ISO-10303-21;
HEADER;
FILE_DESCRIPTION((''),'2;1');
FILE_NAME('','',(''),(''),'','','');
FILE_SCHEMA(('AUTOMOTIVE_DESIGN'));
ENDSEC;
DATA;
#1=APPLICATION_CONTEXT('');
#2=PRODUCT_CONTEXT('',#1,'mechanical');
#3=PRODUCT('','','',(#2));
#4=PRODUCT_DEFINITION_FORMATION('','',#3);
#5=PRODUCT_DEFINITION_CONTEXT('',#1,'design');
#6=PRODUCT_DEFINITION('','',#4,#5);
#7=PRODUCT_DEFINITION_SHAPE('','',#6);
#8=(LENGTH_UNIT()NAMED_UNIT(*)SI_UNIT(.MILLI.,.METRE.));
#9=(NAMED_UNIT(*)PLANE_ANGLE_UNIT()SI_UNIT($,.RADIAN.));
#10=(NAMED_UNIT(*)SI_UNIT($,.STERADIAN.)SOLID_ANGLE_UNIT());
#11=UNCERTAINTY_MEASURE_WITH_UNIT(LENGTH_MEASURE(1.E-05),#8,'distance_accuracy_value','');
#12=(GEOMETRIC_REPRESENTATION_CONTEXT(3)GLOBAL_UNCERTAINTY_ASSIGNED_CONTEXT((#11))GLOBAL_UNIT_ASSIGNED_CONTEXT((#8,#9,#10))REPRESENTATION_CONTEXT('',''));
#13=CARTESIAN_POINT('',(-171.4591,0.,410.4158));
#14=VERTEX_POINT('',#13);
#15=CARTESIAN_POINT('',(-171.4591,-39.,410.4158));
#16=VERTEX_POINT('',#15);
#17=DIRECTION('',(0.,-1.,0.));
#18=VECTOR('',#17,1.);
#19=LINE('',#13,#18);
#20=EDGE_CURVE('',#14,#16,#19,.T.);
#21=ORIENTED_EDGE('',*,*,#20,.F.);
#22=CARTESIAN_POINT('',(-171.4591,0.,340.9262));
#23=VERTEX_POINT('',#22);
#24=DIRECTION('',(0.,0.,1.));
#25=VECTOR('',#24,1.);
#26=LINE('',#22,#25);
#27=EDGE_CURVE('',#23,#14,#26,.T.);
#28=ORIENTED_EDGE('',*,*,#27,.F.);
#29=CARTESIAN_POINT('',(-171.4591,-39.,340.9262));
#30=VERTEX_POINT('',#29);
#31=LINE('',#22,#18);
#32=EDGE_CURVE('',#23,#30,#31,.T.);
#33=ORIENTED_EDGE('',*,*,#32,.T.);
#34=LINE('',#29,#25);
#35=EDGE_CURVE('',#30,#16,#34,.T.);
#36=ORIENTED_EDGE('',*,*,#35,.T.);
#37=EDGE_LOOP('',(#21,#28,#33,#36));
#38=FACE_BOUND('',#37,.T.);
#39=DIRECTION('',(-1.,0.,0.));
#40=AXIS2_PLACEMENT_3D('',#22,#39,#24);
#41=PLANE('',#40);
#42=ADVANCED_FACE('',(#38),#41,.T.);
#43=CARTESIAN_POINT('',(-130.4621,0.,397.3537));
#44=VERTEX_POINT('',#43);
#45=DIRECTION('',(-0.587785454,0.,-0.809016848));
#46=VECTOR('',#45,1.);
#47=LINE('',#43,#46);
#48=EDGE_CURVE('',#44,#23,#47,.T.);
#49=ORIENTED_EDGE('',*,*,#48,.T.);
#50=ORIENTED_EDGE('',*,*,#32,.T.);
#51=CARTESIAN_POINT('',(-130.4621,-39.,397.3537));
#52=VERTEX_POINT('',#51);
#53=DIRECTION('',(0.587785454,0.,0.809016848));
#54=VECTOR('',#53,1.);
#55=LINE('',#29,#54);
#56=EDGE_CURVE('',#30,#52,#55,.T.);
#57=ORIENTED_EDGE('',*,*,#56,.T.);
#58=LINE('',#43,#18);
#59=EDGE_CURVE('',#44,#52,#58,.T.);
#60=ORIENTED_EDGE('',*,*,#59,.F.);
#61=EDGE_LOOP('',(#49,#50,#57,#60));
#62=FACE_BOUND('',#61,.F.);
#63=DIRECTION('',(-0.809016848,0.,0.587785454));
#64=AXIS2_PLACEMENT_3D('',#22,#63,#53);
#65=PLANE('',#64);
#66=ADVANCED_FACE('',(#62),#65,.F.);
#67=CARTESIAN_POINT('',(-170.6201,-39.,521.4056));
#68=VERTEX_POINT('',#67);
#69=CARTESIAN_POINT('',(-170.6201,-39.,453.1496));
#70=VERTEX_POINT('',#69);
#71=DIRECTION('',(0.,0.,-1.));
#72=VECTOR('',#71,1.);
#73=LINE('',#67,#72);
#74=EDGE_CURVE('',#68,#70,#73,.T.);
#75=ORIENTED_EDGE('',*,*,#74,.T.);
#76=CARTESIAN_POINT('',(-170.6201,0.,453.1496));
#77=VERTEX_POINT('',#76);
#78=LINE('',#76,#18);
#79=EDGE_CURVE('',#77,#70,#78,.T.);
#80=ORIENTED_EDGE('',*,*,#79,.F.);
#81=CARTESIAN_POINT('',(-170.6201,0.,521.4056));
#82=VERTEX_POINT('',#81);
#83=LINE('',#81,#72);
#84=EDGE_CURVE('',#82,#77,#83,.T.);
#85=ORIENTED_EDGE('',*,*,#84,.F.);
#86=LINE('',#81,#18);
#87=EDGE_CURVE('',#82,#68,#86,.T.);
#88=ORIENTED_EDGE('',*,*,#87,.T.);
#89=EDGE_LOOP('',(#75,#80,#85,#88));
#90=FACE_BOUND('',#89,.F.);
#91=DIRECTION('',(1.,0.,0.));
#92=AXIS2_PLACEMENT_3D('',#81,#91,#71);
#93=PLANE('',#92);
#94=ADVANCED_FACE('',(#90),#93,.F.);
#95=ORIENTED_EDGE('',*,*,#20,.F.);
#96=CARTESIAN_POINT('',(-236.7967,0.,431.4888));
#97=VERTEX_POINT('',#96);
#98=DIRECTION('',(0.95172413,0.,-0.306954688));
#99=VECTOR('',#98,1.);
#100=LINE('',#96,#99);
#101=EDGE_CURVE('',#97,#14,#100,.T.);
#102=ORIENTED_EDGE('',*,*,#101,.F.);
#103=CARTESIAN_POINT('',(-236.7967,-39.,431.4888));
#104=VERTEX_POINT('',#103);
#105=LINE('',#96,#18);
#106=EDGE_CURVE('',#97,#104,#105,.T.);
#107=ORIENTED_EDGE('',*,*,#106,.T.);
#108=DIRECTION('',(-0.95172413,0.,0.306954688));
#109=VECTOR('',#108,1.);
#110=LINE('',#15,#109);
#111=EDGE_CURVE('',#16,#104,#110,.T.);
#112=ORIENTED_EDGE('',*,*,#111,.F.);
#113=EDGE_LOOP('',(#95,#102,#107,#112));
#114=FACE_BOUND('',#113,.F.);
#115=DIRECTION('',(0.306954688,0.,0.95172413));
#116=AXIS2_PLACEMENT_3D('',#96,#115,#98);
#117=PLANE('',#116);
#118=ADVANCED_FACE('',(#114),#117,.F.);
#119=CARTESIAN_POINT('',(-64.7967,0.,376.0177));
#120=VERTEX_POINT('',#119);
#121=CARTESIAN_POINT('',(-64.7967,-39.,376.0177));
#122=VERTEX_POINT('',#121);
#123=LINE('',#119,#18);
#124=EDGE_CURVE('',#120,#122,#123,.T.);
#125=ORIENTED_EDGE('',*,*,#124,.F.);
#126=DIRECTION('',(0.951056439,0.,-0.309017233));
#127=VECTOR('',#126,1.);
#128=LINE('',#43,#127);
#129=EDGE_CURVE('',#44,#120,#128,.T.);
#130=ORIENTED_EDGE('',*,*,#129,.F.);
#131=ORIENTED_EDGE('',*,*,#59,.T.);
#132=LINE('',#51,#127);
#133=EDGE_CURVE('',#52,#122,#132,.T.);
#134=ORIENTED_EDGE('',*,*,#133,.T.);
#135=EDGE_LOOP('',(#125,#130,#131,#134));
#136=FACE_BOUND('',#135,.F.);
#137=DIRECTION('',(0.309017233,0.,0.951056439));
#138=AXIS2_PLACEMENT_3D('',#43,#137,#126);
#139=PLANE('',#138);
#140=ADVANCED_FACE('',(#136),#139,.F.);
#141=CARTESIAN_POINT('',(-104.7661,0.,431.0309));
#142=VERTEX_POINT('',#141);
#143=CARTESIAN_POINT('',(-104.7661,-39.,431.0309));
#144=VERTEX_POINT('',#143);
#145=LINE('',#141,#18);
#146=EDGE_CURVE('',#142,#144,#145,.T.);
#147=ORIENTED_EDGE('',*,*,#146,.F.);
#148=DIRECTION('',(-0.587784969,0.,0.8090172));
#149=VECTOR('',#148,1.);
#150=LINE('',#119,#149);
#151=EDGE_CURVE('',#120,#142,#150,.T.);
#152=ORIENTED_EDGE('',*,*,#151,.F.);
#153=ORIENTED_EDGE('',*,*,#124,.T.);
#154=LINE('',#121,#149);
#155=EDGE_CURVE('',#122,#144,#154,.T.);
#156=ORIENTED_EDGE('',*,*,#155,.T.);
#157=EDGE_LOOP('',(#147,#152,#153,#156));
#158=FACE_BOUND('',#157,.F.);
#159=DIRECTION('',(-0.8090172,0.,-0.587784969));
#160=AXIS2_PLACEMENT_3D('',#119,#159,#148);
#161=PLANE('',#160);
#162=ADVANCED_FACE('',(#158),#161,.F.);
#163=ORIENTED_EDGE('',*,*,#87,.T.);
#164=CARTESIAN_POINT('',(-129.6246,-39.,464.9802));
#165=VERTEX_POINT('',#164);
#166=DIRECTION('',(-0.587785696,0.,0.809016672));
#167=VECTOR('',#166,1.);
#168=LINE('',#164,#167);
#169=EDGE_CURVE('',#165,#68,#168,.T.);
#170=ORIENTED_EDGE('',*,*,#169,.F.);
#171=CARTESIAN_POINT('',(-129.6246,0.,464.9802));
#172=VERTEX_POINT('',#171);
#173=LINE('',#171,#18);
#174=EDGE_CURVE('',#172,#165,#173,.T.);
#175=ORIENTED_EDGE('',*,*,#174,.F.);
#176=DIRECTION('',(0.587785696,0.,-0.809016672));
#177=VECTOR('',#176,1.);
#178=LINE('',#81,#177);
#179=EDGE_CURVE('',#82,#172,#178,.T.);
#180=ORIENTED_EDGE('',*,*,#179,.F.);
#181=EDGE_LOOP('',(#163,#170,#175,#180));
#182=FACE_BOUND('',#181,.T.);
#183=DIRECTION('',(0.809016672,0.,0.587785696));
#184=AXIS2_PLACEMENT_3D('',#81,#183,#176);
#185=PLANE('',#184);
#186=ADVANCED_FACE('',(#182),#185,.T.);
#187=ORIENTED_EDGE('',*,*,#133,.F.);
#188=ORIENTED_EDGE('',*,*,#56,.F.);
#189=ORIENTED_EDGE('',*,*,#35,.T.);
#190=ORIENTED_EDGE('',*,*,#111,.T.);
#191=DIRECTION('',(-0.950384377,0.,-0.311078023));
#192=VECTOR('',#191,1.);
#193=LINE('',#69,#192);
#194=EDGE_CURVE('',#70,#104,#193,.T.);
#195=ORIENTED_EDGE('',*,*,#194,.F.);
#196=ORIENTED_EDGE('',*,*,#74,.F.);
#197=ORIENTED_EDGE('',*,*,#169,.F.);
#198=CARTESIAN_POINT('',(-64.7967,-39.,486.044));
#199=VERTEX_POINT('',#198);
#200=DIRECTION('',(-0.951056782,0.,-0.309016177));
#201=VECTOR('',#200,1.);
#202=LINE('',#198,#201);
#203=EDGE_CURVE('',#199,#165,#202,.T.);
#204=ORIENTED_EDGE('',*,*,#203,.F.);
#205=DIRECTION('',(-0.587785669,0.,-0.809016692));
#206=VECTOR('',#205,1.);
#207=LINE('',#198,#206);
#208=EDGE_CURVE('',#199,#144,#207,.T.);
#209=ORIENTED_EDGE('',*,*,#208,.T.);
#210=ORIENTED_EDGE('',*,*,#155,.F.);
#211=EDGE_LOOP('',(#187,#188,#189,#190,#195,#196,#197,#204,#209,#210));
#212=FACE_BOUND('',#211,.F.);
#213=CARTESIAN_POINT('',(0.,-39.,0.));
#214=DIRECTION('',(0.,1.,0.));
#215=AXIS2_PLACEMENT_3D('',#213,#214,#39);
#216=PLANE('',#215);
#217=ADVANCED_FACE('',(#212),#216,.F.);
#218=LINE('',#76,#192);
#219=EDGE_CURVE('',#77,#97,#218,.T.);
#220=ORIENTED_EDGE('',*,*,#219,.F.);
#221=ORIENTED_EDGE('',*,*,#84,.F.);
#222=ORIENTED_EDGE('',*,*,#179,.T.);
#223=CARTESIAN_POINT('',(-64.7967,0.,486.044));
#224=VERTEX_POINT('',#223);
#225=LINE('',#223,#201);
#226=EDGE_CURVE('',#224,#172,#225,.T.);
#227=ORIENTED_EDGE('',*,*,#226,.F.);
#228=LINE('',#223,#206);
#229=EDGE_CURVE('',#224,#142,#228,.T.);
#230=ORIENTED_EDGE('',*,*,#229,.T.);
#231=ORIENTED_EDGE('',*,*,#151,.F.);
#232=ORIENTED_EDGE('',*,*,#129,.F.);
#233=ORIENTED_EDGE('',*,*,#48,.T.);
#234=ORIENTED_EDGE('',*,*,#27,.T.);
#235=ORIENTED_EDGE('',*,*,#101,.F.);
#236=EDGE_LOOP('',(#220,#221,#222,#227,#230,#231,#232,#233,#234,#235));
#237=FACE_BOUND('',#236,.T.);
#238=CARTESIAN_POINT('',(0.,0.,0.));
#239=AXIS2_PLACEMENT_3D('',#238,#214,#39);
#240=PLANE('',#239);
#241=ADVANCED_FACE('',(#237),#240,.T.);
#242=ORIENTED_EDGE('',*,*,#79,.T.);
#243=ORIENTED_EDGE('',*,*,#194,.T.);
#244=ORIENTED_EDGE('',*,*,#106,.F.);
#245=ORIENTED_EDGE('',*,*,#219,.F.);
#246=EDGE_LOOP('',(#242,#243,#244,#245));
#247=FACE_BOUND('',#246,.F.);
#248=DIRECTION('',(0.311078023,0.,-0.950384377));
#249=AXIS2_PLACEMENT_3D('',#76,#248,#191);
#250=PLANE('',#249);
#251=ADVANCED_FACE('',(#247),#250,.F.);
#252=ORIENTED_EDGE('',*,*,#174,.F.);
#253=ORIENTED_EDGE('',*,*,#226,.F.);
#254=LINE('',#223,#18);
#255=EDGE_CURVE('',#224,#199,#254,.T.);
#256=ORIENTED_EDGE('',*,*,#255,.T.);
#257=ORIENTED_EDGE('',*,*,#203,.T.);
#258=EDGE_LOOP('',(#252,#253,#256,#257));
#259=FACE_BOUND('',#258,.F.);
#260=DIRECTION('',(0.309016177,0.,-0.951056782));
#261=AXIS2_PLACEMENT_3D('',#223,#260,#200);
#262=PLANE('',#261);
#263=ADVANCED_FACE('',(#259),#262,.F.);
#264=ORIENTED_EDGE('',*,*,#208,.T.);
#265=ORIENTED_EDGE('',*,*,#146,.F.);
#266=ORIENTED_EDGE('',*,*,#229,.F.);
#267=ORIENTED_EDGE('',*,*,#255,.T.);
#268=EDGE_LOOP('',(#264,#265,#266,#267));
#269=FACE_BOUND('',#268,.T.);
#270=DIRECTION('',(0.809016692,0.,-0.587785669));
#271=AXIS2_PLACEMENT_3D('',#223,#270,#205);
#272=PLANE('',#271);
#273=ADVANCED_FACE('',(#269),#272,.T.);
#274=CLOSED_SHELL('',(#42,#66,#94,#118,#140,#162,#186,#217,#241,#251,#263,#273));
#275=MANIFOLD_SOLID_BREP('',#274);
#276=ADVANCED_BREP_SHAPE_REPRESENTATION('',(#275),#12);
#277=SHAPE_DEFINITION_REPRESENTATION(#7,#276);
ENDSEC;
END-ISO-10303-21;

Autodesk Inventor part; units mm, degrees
ref_plane "YZ Plane" through (0, 0, 0) normal (1, 0, 0) x (0, 1, 0)
ref_plane "XZ Plane" through (0, 0, 0) normal (0, 1, 0) x (-1, 0, 0)
ref_plane "XY Plane" through (0, 0, 0) normal (0, 0, 1) x (1, 0, 0)
sketch "Эскиз1" plane through (0, 0, 0) normal (0, 1, 0) x (-1, 0, 0)
  circle A0 centre (141.9995, 431.0309) radius 94.7983
  line L0 (141.9995, 613.3951) -> (141.9995, 248.6146)
  line L1 (141.9995, 431.0309) -> (232.158, 401.7366)
  line L2 (170.6201, 521.4056) -> (170.6201, 453.1496)
  line L3 (171.4591, 340.9262) -> (171.4591, 410.4158)
  line L4 (171.4591, 340.9262) -> (130.4621, 397.3537)
  line L5 (64.7967, 486.044) -> (129.6246, 464.9802)
  line L6 (64.7967, 486.044) -> (104.7661, 431.0309)
  line L7 (170.6201, 453.1496) -> (236.7967, 431.4888)
  line L8 (236.7967, 431.4888) -> (171.4591, 410.4158)
  line L9 (130.4621, 397.3537) -> (64.7967, 376.0177)
  line L10 (64.7967, 376.0177) -> (104.7661, 431.0309)
  line L11 (170.6201, 521.4056) -> (129.6246, 464.9802)
  point P0 (141.9995, 431.0049)
  dimension "d22" = 172
  dimension "d24" = 172
  dimension "d27" = 72
  dimension "d41" = 36
  dimension "d43" = 36
  dimension "d44" = 36
  dimension "d45" = 36
  dimension "d46" = 36
extrude "Выдавливание1" add sketch "Эскиз1" against normal blind 39 contours L8 L1 L0 L11 L2 L7 | L8 L3 L4 L0 L1 | L0 L4 L9 L10 L6 L5 L11
